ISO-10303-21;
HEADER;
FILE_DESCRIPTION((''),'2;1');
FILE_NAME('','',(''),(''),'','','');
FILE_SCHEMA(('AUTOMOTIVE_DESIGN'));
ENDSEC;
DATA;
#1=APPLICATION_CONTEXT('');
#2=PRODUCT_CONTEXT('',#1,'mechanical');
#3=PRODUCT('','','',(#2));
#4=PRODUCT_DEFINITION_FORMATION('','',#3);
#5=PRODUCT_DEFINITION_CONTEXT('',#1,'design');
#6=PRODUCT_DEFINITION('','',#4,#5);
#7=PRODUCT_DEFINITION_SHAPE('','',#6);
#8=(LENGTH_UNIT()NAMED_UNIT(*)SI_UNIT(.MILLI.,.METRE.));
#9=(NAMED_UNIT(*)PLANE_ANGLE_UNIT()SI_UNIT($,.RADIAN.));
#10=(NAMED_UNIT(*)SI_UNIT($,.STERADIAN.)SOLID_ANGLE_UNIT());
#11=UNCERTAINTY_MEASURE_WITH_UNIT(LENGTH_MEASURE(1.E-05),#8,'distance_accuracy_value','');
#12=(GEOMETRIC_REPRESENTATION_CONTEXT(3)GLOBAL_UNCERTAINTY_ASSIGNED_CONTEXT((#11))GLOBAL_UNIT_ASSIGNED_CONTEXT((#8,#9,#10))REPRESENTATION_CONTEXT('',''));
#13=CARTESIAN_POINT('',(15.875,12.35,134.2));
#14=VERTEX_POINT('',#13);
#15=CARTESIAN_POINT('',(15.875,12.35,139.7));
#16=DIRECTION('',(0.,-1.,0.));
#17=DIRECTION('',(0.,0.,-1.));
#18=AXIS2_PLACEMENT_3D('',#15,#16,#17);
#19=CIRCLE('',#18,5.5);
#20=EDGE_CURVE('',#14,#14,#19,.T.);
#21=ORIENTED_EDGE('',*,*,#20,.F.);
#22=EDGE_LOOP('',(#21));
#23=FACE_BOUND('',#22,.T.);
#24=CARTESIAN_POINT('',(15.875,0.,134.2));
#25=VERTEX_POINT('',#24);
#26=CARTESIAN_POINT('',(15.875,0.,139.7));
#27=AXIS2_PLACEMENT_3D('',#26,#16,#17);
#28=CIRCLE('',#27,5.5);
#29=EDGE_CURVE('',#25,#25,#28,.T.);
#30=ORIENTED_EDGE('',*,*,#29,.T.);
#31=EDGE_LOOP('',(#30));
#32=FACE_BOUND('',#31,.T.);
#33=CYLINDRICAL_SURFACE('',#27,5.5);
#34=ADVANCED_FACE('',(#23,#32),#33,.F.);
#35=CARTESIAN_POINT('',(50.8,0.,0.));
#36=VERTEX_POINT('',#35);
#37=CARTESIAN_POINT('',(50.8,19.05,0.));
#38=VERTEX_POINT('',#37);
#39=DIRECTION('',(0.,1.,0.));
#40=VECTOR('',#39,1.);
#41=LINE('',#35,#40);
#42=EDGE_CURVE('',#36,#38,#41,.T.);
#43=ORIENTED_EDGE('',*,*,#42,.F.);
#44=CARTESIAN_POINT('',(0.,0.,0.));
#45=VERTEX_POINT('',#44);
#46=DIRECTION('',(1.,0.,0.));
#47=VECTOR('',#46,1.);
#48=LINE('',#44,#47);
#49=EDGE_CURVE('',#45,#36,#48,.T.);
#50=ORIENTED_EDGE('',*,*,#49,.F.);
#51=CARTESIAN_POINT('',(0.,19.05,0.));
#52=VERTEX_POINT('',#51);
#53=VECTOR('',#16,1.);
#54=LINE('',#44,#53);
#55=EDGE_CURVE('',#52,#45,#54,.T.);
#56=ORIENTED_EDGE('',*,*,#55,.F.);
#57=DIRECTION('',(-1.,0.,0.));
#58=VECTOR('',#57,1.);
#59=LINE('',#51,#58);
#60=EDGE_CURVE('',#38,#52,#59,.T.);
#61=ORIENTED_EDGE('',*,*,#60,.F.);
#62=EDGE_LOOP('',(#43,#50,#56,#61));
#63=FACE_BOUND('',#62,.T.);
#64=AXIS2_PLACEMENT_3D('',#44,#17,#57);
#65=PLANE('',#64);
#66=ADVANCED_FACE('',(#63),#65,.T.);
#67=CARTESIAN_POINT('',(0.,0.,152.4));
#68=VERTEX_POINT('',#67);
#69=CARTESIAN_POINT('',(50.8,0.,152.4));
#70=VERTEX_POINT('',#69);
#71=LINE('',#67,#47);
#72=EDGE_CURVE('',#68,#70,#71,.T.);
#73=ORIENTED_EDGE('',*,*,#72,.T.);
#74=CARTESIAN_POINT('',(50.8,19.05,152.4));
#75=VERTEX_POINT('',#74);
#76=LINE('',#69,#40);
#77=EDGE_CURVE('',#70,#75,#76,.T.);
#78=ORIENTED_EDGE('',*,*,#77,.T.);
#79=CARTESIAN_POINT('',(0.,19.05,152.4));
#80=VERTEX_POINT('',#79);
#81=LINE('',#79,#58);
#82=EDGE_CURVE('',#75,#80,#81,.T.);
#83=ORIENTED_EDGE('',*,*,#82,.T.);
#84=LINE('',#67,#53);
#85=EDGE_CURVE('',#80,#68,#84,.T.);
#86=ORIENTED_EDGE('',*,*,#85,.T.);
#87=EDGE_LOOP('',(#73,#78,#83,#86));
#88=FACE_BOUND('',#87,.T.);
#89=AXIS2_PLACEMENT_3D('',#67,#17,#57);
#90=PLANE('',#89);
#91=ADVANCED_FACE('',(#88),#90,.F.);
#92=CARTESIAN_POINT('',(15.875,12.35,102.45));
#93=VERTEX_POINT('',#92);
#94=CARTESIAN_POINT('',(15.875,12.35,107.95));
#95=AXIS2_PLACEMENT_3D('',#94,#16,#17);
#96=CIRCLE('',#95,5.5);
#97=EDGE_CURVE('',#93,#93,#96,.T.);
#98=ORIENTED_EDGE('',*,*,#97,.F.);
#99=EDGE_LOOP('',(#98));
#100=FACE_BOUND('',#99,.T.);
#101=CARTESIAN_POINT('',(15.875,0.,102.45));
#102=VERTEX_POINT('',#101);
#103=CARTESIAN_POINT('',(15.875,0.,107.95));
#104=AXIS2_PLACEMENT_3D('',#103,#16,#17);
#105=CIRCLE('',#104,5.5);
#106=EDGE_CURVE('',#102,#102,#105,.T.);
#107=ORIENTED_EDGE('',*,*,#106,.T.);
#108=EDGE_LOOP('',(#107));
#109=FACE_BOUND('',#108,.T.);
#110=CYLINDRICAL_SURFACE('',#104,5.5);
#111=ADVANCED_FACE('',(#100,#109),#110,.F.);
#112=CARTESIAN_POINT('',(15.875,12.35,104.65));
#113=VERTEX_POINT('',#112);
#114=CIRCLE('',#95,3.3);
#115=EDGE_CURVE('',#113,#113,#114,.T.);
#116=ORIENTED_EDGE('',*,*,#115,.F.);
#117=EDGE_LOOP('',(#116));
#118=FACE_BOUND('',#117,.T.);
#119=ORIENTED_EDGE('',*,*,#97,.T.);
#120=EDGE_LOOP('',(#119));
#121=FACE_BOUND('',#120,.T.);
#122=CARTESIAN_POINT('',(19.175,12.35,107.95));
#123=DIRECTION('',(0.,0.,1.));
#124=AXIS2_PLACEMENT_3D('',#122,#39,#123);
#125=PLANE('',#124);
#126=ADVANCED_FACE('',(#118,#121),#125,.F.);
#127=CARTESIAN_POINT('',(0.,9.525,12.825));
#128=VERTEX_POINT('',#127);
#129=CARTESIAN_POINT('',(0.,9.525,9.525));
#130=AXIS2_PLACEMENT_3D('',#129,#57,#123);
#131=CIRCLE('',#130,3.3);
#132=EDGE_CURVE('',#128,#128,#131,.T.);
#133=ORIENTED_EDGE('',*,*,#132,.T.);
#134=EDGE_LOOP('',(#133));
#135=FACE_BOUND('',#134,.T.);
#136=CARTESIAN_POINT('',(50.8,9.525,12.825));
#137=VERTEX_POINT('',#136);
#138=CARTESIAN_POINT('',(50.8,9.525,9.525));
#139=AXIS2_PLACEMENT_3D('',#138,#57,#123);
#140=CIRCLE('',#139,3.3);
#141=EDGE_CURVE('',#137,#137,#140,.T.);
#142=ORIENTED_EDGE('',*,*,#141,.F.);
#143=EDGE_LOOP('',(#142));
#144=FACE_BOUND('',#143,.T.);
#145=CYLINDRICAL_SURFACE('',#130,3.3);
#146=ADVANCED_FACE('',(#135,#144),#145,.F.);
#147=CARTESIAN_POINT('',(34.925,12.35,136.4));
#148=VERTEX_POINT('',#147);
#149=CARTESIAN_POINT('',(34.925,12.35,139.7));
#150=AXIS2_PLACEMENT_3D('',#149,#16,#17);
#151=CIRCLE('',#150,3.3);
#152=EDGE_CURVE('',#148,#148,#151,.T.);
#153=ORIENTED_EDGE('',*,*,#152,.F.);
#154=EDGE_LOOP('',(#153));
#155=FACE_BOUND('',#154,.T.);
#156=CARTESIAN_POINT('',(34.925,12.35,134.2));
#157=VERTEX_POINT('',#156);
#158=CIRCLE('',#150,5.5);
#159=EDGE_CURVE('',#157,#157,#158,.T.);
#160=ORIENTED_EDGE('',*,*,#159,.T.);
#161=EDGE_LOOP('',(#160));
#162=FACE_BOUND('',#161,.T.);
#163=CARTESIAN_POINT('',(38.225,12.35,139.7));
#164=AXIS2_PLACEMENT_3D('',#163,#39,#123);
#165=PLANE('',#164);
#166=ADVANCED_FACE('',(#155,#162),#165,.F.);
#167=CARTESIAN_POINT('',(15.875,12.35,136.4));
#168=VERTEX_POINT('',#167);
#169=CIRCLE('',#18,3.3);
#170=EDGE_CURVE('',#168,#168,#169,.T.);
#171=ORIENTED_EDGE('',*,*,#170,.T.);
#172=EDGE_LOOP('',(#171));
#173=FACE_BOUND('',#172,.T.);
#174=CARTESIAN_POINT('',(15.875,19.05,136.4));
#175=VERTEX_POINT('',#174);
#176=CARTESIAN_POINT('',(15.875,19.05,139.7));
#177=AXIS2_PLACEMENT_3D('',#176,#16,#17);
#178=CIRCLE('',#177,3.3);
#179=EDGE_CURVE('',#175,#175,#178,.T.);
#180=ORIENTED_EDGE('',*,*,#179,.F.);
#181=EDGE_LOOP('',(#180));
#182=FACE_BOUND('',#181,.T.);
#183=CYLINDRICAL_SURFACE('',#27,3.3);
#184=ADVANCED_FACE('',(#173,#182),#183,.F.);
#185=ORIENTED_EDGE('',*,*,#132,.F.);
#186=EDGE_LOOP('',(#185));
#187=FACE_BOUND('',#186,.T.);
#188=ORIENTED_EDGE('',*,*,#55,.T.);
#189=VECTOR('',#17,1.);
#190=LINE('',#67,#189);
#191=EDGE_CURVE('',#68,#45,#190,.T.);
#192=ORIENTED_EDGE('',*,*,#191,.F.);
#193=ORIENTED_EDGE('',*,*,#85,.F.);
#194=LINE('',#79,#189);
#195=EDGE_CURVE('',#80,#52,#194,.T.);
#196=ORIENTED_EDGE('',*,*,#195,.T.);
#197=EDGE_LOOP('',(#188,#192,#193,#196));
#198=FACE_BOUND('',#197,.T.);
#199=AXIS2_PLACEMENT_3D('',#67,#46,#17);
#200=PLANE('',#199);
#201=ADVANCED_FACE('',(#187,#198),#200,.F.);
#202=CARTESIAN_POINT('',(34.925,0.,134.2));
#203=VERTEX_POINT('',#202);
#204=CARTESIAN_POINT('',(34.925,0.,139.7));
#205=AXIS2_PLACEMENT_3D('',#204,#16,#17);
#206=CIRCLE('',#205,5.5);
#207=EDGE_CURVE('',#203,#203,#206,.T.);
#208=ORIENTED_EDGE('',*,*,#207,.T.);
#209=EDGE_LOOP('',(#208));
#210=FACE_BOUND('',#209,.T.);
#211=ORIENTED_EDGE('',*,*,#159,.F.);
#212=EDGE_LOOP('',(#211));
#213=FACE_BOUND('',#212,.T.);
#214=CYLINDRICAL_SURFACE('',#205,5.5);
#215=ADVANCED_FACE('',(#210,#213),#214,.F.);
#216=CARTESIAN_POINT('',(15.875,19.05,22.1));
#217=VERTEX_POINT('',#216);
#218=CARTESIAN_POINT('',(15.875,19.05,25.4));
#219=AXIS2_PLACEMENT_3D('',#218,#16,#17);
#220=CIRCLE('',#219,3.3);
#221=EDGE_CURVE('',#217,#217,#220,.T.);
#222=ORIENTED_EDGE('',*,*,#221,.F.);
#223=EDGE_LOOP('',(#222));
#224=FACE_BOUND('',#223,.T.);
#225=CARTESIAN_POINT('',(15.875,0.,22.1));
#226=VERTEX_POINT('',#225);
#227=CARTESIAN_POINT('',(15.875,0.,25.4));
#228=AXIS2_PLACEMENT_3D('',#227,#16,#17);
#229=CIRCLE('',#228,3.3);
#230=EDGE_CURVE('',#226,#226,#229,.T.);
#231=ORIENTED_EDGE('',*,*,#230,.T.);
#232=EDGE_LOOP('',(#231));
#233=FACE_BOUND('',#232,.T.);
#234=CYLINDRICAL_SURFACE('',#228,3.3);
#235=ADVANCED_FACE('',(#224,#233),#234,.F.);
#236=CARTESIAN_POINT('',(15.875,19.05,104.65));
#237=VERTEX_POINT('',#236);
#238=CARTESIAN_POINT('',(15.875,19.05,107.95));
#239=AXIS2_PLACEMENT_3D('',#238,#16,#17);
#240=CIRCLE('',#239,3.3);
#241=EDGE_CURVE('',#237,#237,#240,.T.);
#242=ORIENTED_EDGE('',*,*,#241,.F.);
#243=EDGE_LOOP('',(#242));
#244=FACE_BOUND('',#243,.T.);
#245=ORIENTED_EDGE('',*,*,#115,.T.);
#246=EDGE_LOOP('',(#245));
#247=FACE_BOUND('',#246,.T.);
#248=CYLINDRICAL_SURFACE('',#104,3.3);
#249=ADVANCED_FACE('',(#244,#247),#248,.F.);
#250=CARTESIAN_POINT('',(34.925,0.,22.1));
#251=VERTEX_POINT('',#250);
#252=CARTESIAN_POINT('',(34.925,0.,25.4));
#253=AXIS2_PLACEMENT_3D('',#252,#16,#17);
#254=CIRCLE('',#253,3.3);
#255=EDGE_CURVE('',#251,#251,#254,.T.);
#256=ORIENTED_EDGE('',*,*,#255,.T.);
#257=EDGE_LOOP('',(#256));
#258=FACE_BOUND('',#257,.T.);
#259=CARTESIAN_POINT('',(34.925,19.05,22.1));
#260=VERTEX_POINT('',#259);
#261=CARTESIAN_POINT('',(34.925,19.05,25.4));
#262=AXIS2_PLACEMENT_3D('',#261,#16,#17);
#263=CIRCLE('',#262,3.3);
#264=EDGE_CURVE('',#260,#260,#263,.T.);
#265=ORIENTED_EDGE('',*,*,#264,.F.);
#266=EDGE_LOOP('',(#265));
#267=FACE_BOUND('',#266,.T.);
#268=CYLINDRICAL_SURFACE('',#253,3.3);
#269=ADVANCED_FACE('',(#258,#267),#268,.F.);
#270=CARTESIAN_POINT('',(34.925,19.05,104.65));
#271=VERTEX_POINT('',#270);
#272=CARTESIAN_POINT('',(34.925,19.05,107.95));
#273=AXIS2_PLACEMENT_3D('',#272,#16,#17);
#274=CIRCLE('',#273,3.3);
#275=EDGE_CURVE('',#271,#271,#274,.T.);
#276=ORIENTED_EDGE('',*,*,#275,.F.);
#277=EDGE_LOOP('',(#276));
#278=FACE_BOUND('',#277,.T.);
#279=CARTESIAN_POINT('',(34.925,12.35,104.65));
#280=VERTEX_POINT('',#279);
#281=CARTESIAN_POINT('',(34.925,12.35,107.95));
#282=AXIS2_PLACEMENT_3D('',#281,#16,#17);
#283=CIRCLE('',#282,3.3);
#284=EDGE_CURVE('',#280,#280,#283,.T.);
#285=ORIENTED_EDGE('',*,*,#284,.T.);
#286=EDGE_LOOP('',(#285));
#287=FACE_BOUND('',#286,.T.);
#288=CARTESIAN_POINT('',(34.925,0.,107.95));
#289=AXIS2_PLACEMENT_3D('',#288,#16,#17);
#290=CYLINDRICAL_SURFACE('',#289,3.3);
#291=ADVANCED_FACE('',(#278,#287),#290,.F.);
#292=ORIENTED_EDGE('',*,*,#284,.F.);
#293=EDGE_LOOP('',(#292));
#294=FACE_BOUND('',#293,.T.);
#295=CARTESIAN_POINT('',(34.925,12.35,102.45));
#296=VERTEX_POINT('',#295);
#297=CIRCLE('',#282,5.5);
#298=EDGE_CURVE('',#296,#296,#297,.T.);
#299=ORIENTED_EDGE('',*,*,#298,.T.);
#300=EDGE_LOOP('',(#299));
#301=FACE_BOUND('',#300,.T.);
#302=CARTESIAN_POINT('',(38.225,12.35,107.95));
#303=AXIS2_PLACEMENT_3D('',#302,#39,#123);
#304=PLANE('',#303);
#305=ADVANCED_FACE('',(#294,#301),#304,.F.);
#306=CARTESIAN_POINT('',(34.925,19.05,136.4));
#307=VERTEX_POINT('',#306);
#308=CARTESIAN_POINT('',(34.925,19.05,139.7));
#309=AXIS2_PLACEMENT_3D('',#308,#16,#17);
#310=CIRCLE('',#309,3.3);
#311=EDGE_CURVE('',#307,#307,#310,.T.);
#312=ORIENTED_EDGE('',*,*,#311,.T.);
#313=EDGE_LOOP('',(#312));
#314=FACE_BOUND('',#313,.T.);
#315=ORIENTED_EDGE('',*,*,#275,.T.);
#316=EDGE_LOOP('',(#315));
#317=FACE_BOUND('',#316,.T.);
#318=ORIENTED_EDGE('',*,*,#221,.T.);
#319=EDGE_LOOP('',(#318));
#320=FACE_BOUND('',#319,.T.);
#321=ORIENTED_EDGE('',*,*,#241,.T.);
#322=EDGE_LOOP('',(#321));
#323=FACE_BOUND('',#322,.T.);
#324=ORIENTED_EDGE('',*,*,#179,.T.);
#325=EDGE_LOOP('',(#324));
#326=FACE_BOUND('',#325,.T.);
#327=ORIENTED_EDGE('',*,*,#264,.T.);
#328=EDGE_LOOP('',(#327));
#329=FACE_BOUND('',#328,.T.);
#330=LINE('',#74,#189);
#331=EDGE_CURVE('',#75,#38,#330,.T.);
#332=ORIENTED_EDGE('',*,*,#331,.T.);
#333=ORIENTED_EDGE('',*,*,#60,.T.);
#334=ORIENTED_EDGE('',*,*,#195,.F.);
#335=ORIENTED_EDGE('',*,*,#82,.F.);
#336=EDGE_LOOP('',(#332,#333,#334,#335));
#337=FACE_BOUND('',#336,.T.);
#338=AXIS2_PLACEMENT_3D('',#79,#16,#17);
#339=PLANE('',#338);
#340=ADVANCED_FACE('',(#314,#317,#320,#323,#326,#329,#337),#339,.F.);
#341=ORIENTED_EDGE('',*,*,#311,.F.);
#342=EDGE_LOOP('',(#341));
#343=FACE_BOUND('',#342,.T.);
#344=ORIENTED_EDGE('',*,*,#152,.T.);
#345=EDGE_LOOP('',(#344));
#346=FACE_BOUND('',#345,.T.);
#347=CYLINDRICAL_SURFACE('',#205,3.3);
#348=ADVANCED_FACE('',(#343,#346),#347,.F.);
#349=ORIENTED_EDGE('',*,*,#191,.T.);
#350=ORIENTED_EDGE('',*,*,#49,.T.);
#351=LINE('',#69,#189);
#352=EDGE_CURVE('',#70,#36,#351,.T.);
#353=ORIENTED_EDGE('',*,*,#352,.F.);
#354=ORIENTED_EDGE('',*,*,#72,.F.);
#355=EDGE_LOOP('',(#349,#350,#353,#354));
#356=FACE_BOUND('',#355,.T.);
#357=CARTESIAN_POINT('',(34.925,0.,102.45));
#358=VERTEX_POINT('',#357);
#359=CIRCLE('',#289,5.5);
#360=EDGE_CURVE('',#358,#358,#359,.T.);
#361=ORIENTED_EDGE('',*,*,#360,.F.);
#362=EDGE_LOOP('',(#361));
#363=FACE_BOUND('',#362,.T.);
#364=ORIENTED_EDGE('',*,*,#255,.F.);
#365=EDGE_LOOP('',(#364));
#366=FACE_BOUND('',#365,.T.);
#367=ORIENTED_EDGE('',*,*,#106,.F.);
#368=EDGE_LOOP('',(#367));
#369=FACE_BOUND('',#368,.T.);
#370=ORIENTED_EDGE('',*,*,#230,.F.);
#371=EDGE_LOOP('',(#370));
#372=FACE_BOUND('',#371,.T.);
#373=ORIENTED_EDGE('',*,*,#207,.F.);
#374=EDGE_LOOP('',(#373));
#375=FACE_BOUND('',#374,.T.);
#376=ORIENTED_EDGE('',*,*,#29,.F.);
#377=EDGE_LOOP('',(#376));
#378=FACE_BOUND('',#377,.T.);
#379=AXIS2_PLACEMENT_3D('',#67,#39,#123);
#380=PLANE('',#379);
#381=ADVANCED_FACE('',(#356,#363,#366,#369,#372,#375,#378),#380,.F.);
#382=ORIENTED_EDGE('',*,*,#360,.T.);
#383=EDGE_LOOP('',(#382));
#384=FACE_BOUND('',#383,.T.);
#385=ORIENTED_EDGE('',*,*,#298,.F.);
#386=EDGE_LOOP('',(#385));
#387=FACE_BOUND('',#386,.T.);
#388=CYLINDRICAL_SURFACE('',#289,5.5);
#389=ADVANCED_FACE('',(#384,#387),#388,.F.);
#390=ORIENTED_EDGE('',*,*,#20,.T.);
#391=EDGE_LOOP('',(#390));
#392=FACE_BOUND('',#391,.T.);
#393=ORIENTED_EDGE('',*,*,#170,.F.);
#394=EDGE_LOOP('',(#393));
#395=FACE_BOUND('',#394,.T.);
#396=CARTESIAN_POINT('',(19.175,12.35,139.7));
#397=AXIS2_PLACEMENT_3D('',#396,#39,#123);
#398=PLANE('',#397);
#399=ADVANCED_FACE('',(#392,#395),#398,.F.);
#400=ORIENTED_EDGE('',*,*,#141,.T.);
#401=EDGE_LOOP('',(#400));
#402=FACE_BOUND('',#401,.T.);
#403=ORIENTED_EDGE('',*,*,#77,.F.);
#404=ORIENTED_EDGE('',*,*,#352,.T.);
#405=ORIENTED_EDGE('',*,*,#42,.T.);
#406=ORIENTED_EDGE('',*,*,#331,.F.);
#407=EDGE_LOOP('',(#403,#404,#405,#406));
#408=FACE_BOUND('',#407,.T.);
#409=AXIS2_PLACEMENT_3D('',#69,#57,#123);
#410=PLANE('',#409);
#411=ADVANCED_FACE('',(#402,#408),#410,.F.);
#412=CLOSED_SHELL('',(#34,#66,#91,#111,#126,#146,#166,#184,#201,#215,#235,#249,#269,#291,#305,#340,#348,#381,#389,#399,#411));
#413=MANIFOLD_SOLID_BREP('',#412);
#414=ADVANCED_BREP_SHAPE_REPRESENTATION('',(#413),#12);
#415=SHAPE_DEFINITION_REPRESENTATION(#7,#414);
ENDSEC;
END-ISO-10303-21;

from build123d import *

# Parameters (mm, degrees)
SKETCH1_W                      = 50.8
SKETCH1_H                      = 19.05
BOSS_EXTRUDE1_DEPTH            = 152.4
CBORE_FOR_M6_SHCS1_D           = 6.6
CBORE_FOR_M6_SHCS1_CBORE_D     = 11
CBORE_FOR_M6_SHCS1_CBORE_DEPTH = 12.35
M6_CLEARANCE_HOLE1_D           = 6.6
M6_CLEARANCE_HOLE2_D           = 6.6


with BuildPart() as part:
    # Sketch1 → Boss-Extrude1 (new body)
    with BuildSketch(Plane.XY):
        with Locations((25.4, 9.525)):
            Rectangle(SKETCH1_W, SKETCH1_H)
    extrude(amount=BOSS_EXTRUDE1_DEPTH)

    # CBORE for M6 SHCS1 (through all)
    with Locations(Plane(origin=(0, 0, 0), x_dir=(-1, 0, 0), z_dir=(0, -1, 0))):
        with Locations((-34.925, -139.7), (-34.925, -107.95), (-15.875, -107.95), (-15.875, -139.7)):
            CounterBoreHole(CBORE_FOR_M6_SHCS1_D / 2, CBORE_FOR_M6_SHCS1_CBORE_D / 2, CBORE_FOR_M6_SHCS1_CBORE_DEPTH)

    # M6 Clearance Hole1 (through all)
    with Locations(Plane.ZY):
        with Locations((9.525, 9.525)):
            Hole(M6_CLEARANCE_HOLE1_D / 2)

    # M6 Clearance Hole2 (through all)
    with Locations(Plane(origin=(0, 0, 0), x_dir=(-1, 0, 0), z_dir=(0, -1, 0))):
        with Locations((-34.925, -25.4), (-15.875, -25.4)):
            Hole(M6_CLEARANCE_HOLE2_D / 2)


solid = part.part
